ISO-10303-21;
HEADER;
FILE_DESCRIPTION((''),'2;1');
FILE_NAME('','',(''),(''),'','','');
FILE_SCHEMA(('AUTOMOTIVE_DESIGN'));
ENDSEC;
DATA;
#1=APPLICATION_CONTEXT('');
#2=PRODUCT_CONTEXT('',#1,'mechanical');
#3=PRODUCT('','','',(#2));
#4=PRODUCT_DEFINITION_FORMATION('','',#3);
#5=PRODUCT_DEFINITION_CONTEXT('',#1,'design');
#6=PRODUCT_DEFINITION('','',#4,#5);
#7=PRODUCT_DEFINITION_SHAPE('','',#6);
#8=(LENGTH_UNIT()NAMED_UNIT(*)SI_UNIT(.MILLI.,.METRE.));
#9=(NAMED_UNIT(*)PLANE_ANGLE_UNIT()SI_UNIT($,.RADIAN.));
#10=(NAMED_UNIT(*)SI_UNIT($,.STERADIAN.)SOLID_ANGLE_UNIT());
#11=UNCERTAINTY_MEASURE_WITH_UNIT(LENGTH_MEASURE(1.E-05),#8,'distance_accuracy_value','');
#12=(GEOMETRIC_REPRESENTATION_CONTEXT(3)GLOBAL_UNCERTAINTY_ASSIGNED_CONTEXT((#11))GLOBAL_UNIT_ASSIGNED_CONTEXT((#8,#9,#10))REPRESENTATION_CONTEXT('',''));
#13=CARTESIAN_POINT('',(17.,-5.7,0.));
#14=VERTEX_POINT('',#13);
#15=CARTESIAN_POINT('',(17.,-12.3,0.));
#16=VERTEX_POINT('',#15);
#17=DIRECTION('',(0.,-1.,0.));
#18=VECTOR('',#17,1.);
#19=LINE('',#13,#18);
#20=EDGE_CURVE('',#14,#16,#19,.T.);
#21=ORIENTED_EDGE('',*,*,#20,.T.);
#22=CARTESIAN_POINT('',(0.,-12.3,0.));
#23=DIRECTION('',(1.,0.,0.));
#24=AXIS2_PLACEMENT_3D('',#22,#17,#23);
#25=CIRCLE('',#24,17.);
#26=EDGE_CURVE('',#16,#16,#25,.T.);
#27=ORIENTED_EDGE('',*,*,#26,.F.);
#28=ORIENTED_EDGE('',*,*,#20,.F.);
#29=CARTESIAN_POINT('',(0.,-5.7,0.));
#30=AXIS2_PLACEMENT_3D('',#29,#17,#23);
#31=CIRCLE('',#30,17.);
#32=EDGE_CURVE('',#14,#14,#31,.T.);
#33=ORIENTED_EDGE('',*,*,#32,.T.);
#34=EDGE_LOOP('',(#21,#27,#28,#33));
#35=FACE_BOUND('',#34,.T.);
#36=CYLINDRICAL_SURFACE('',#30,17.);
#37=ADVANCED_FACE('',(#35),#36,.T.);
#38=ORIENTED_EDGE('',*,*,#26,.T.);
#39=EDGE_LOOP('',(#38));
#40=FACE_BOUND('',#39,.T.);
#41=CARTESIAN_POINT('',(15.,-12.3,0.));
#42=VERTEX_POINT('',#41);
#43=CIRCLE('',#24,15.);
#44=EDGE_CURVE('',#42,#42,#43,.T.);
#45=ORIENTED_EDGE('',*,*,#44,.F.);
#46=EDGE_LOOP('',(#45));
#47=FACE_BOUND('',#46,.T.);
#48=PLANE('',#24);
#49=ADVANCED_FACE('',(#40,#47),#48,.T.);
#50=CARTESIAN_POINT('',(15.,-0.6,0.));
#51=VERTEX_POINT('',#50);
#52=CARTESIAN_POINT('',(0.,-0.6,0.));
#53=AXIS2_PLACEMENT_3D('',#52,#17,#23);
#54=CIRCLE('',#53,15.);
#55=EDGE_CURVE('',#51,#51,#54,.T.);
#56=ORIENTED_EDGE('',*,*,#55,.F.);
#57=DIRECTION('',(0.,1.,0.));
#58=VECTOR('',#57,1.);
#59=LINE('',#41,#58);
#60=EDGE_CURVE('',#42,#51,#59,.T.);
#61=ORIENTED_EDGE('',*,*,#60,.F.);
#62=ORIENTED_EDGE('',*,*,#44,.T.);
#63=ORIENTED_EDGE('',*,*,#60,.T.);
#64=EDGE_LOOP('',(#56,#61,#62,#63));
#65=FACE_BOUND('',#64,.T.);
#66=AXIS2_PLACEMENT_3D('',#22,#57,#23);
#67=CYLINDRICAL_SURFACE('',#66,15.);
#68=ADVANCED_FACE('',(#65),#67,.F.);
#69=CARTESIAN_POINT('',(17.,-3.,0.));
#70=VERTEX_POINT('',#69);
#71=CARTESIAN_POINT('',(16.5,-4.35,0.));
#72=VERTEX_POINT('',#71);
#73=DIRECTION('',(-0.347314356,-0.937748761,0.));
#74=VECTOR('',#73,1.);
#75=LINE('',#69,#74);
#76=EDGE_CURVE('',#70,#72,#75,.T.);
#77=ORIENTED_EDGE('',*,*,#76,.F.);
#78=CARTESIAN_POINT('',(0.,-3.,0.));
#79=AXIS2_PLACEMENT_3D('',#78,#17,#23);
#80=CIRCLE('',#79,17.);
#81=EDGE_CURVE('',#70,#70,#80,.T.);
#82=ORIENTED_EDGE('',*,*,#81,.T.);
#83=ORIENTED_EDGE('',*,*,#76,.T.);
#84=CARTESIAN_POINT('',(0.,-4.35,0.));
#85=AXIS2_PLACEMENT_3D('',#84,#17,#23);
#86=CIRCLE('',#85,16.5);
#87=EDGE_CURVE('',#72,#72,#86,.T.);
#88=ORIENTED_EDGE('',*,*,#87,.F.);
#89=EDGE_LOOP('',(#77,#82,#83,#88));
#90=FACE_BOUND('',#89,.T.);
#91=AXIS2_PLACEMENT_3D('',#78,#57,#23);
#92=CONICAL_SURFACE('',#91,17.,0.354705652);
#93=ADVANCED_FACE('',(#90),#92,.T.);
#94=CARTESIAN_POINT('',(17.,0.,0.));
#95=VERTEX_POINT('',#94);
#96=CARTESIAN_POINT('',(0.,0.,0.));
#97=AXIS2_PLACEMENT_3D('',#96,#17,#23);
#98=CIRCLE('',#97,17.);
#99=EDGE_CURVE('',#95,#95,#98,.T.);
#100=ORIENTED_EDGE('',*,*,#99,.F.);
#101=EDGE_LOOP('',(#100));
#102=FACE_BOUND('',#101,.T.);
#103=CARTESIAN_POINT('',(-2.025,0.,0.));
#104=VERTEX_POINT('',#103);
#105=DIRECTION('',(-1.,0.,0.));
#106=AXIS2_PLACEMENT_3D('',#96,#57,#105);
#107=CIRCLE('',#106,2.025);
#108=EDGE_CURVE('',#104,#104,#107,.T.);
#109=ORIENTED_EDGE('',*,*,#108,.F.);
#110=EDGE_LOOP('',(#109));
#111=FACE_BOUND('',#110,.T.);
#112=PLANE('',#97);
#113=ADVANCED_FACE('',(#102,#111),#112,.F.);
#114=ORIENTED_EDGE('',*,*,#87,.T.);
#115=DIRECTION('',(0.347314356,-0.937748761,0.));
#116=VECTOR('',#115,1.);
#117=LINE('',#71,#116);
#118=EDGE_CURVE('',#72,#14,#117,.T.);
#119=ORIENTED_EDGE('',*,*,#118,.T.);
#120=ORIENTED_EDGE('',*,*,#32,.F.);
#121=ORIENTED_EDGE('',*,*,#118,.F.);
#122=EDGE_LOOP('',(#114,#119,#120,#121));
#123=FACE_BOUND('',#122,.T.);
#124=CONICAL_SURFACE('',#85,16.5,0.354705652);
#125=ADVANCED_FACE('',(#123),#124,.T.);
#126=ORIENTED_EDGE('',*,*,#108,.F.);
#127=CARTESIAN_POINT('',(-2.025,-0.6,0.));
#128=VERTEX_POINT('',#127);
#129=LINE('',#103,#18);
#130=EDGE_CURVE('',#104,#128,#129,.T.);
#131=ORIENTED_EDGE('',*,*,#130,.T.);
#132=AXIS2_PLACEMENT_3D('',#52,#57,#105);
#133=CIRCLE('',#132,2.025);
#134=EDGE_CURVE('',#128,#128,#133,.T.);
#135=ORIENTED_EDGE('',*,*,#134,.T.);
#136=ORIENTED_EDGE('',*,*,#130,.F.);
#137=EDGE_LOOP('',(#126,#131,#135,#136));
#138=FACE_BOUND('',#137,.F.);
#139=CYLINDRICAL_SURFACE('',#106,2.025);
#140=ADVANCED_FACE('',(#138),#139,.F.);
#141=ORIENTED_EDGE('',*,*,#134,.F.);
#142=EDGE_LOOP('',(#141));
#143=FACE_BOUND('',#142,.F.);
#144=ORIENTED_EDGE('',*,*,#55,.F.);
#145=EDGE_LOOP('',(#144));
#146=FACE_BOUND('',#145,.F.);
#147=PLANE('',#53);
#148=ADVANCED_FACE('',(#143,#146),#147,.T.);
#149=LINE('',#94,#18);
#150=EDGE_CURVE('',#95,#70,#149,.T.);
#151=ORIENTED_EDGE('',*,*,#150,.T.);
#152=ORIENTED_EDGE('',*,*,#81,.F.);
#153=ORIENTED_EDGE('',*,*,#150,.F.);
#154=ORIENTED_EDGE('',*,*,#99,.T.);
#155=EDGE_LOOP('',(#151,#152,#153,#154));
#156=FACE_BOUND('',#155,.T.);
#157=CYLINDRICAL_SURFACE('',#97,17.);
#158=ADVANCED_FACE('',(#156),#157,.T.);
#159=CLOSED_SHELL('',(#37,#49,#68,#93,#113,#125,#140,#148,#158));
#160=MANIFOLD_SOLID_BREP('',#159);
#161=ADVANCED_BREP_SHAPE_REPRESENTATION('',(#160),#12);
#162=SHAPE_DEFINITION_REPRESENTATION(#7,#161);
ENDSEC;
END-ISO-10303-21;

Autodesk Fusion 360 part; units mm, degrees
sketch "Sketch1" plane through (0, 0, 0) normal (0, 0, 1) x (1, 0, 0)
  line L0 (0, 0) -> (17, 0)
  line L1 (17, 0) -> (17, -3)
  line L2 (17, -3) -> (17, -5.7)
  line L3 (17, -5.7) -> (17, -12.3)
  line L4 (17, -12.3) -> (15, -12.3)
  line L5 (15, -12.3) -> (15, -0.6)
  line L6 (17, -3) -> (17, -4.35) construction
  line L7 (17, -4.35) -> (16.5, -4.35) construction
  line L8 (17, -3) -> (16.5, -4.35)
  line L9 (16.5, -4.35) -> (17, -5.7)
  line L10 (0, 0) -> (0, -0.6)
  line L11 (0, -0.6) -> (15, -0.6)
  dimension "d1" = 17
  dimension "d2" = 3
  dimension "d4" = 2.7
  dimension "d5" = 6.6
  dimension "d6" = 2
  dimension "d7" = 11.7
  dimension "d8" = 1.35
  dimension "d9" = 0.5
  dimension "d10" = 15
  dimension "d11" = 0.6
  dimension "d12" = 17
revolve "Revolve1" add sketch "Sketch1" angle 360 about axis through (0, 0, 0) along (0, -1, 0) contours L0 L1 L3 L4 L5 L8 L9 L10 L11
sketch "Sketch2" plane through (0, 0, 0) normal (0, 1, 0) x (-1, 0, 0)
  circle A0 centre (0, 0) radius 17
  circle A1 centre (0, 0) radius 16.575
  circle A2 centre (0, 0) radius 2.025
  dimension "d14" = 34
  dimension "d15" = 33.15
  dimension "d16" = 4.05
extrude "Extrude1" cut sketch "Sketch2" against normal blind 3 contours A2
equation "d15 = d14 - 0.85 mm"
